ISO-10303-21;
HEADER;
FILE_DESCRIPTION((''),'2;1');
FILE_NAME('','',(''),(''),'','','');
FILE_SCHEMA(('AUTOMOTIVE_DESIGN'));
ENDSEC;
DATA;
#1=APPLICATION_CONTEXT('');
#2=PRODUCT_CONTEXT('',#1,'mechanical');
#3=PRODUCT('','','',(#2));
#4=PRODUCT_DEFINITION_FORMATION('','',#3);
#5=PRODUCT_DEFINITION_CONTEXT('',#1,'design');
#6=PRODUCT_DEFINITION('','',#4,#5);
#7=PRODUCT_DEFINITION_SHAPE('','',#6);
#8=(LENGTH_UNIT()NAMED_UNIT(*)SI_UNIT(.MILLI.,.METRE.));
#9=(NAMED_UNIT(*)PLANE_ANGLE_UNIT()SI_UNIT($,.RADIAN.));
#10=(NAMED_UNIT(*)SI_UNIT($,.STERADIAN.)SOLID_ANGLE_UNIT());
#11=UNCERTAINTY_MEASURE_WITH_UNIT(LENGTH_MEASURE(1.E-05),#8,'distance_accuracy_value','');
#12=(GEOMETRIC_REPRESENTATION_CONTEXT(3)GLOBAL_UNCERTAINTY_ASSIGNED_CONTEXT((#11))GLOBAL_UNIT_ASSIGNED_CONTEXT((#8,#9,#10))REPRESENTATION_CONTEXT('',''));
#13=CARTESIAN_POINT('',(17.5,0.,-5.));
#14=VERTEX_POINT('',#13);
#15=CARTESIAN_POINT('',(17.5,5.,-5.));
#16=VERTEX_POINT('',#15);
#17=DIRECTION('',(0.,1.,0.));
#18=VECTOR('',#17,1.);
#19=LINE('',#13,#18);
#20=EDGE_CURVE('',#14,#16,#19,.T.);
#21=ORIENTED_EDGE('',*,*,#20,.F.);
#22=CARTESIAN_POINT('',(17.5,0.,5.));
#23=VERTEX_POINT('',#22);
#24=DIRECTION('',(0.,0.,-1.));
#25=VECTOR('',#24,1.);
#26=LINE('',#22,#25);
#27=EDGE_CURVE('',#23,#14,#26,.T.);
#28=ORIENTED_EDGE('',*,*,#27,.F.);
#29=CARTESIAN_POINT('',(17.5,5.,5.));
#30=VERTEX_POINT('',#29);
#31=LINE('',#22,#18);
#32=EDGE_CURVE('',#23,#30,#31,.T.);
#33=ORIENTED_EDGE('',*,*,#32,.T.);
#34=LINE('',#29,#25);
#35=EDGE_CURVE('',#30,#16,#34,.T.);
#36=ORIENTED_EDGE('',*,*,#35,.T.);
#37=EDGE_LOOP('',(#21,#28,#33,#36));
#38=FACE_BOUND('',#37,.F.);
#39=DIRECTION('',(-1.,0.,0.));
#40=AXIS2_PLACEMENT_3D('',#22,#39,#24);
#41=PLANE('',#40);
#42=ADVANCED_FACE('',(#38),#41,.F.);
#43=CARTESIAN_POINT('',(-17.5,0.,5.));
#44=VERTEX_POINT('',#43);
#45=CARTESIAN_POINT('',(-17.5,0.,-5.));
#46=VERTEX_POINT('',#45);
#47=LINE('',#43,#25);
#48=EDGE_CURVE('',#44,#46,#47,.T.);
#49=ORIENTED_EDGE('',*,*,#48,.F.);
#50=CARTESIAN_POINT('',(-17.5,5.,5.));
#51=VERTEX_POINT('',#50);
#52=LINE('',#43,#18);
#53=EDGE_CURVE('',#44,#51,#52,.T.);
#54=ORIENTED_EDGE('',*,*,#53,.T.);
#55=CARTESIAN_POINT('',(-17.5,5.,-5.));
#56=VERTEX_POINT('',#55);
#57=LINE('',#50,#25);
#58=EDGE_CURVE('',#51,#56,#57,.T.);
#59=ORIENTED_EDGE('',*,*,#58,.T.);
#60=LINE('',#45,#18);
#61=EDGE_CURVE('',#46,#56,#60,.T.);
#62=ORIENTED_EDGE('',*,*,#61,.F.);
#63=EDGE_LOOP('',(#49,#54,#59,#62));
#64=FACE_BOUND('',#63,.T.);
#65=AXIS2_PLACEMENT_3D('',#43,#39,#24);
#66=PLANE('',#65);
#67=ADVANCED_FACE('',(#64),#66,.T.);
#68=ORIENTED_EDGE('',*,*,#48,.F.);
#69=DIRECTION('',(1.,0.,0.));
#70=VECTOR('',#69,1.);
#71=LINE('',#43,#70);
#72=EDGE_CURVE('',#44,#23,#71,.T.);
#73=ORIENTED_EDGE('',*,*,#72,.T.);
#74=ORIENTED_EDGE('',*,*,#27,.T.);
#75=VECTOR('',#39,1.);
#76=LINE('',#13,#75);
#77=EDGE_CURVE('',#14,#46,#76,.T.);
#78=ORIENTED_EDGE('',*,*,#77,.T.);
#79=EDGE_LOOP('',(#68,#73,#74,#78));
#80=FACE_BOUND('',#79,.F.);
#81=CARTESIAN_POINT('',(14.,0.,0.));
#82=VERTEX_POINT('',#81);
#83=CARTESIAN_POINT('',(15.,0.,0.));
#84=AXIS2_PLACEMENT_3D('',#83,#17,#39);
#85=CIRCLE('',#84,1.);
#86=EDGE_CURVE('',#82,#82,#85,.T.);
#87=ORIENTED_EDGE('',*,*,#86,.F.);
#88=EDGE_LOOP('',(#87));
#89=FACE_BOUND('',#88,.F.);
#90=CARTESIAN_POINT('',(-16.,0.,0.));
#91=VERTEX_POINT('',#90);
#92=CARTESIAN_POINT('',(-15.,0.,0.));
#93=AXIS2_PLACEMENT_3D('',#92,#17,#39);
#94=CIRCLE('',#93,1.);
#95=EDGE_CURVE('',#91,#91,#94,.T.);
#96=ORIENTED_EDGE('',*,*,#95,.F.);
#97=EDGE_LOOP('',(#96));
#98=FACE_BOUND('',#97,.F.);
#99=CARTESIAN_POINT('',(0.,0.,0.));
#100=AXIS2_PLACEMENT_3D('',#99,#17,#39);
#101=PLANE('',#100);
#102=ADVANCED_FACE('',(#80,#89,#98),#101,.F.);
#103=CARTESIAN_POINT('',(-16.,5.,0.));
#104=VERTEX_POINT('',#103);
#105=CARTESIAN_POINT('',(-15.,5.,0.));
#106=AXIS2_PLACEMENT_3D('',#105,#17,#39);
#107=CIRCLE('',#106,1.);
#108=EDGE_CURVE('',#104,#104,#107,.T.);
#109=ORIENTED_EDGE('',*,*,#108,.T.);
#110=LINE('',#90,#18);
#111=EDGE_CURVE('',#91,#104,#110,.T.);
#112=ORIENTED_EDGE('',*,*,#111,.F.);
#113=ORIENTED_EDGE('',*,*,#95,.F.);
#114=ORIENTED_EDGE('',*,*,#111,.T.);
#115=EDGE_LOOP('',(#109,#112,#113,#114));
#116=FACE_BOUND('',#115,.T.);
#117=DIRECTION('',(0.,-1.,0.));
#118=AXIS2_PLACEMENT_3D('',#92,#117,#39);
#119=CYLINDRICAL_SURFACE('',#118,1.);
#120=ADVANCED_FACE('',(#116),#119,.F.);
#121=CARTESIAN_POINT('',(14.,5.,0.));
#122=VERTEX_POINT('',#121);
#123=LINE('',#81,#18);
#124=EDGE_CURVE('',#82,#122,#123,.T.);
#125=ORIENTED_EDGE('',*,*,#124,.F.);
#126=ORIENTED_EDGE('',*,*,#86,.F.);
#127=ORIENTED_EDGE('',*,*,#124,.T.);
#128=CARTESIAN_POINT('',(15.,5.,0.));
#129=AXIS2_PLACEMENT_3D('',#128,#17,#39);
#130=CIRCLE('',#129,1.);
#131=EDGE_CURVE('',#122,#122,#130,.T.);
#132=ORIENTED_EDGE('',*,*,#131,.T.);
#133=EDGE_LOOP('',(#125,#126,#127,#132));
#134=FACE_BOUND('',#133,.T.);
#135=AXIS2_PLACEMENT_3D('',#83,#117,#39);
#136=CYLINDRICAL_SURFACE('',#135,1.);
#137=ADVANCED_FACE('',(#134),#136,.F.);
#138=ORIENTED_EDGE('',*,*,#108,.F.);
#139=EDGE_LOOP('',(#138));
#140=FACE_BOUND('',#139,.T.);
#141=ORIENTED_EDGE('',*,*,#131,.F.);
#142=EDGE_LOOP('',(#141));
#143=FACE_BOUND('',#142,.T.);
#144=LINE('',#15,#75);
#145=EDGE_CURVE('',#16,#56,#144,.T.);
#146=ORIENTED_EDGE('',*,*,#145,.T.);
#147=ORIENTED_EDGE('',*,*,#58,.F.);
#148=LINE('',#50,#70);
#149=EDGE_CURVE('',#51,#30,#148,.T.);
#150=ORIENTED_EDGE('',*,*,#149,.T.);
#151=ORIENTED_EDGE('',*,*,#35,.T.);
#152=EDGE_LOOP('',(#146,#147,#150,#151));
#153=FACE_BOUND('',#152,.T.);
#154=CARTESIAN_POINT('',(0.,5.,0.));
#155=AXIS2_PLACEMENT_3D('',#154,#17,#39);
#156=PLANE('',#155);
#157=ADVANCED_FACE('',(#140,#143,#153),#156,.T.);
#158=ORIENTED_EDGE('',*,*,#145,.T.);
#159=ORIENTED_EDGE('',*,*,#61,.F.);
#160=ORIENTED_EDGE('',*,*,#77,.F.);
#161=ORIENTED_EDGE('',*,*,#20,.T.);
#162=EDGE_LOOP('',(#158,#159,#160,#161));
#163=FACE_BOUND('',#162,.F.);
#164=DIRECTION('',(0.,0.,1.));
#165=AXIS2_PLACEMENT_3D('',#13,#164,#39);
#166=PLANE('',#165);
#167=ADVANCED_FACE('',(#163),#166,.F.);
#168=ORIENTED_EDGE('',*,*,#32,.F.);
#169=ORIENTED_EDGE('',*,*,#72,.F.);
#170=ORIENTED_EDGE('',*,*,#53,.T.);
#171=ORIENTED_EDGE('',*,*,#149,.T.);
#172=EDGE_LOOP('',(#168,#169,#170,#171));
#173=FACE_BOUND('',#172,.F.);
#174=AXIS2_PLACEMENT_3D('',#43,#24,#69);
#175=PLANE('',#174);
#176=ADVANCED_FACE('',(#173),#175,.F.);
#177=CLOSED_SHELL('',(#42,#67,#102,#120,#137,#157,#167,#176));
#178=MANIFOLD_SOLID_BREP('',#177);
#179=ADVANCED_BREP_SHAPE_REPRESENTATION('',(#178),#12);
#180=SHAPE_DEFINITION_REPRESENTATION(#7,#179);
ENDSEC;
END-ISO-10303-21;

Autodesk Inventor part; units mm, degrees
ref_plane "YZ Plane" through (0, 0, 0) normal (1, 0, 0) x (0, 1, 0)
ref_plane "XZ Plane" through (0, 0, 0) normal (0, 1, 0) x (-1, 0, 0)
ref_plane "XY Plane" through (0, 0, 0) normal (0, 0, 1) x (1, 0, 0)
sketch "Sketch1" plane through (0, 0, 0) normal (0, 1, 0) x (-1, 0, 0)
  line L0 (-17.5, -5) -> (17.5, -5)
  line L1 (17.5, 0) -> (17.5, 0)
  line L2 (17.5, 5) -> (-17.5, 5)
  line L3 (-17.5, 0) -> (-17.5, 0)
  line L4 (-17.5, -5) -> (17.5, 5) construction
  line L5 (17.5, -5) -> (-17.5, 5) construction
  circle A0 centre (15, 0) radius 1
  line L6 (-17.5, 5) -> (-17.5, -5)
  line L7 (17.5, 5) -> (17.5, -5)
  circle A1 centre (-15, 0) radius 1
  point P0 (0, 0)
  dimension "d0" = 10
  dimension "d1" = 35
  dimension "d3" = 2
  dimension "d6" = 2.5
  dimension "d8" = 5
  dimension "d13" = 2
  dimension "d14" = 2.5
  dimension "d15" = 5
extrude "Extrusion1" add sketch "Sketch1" along normal blind 5
properties part number "link"
